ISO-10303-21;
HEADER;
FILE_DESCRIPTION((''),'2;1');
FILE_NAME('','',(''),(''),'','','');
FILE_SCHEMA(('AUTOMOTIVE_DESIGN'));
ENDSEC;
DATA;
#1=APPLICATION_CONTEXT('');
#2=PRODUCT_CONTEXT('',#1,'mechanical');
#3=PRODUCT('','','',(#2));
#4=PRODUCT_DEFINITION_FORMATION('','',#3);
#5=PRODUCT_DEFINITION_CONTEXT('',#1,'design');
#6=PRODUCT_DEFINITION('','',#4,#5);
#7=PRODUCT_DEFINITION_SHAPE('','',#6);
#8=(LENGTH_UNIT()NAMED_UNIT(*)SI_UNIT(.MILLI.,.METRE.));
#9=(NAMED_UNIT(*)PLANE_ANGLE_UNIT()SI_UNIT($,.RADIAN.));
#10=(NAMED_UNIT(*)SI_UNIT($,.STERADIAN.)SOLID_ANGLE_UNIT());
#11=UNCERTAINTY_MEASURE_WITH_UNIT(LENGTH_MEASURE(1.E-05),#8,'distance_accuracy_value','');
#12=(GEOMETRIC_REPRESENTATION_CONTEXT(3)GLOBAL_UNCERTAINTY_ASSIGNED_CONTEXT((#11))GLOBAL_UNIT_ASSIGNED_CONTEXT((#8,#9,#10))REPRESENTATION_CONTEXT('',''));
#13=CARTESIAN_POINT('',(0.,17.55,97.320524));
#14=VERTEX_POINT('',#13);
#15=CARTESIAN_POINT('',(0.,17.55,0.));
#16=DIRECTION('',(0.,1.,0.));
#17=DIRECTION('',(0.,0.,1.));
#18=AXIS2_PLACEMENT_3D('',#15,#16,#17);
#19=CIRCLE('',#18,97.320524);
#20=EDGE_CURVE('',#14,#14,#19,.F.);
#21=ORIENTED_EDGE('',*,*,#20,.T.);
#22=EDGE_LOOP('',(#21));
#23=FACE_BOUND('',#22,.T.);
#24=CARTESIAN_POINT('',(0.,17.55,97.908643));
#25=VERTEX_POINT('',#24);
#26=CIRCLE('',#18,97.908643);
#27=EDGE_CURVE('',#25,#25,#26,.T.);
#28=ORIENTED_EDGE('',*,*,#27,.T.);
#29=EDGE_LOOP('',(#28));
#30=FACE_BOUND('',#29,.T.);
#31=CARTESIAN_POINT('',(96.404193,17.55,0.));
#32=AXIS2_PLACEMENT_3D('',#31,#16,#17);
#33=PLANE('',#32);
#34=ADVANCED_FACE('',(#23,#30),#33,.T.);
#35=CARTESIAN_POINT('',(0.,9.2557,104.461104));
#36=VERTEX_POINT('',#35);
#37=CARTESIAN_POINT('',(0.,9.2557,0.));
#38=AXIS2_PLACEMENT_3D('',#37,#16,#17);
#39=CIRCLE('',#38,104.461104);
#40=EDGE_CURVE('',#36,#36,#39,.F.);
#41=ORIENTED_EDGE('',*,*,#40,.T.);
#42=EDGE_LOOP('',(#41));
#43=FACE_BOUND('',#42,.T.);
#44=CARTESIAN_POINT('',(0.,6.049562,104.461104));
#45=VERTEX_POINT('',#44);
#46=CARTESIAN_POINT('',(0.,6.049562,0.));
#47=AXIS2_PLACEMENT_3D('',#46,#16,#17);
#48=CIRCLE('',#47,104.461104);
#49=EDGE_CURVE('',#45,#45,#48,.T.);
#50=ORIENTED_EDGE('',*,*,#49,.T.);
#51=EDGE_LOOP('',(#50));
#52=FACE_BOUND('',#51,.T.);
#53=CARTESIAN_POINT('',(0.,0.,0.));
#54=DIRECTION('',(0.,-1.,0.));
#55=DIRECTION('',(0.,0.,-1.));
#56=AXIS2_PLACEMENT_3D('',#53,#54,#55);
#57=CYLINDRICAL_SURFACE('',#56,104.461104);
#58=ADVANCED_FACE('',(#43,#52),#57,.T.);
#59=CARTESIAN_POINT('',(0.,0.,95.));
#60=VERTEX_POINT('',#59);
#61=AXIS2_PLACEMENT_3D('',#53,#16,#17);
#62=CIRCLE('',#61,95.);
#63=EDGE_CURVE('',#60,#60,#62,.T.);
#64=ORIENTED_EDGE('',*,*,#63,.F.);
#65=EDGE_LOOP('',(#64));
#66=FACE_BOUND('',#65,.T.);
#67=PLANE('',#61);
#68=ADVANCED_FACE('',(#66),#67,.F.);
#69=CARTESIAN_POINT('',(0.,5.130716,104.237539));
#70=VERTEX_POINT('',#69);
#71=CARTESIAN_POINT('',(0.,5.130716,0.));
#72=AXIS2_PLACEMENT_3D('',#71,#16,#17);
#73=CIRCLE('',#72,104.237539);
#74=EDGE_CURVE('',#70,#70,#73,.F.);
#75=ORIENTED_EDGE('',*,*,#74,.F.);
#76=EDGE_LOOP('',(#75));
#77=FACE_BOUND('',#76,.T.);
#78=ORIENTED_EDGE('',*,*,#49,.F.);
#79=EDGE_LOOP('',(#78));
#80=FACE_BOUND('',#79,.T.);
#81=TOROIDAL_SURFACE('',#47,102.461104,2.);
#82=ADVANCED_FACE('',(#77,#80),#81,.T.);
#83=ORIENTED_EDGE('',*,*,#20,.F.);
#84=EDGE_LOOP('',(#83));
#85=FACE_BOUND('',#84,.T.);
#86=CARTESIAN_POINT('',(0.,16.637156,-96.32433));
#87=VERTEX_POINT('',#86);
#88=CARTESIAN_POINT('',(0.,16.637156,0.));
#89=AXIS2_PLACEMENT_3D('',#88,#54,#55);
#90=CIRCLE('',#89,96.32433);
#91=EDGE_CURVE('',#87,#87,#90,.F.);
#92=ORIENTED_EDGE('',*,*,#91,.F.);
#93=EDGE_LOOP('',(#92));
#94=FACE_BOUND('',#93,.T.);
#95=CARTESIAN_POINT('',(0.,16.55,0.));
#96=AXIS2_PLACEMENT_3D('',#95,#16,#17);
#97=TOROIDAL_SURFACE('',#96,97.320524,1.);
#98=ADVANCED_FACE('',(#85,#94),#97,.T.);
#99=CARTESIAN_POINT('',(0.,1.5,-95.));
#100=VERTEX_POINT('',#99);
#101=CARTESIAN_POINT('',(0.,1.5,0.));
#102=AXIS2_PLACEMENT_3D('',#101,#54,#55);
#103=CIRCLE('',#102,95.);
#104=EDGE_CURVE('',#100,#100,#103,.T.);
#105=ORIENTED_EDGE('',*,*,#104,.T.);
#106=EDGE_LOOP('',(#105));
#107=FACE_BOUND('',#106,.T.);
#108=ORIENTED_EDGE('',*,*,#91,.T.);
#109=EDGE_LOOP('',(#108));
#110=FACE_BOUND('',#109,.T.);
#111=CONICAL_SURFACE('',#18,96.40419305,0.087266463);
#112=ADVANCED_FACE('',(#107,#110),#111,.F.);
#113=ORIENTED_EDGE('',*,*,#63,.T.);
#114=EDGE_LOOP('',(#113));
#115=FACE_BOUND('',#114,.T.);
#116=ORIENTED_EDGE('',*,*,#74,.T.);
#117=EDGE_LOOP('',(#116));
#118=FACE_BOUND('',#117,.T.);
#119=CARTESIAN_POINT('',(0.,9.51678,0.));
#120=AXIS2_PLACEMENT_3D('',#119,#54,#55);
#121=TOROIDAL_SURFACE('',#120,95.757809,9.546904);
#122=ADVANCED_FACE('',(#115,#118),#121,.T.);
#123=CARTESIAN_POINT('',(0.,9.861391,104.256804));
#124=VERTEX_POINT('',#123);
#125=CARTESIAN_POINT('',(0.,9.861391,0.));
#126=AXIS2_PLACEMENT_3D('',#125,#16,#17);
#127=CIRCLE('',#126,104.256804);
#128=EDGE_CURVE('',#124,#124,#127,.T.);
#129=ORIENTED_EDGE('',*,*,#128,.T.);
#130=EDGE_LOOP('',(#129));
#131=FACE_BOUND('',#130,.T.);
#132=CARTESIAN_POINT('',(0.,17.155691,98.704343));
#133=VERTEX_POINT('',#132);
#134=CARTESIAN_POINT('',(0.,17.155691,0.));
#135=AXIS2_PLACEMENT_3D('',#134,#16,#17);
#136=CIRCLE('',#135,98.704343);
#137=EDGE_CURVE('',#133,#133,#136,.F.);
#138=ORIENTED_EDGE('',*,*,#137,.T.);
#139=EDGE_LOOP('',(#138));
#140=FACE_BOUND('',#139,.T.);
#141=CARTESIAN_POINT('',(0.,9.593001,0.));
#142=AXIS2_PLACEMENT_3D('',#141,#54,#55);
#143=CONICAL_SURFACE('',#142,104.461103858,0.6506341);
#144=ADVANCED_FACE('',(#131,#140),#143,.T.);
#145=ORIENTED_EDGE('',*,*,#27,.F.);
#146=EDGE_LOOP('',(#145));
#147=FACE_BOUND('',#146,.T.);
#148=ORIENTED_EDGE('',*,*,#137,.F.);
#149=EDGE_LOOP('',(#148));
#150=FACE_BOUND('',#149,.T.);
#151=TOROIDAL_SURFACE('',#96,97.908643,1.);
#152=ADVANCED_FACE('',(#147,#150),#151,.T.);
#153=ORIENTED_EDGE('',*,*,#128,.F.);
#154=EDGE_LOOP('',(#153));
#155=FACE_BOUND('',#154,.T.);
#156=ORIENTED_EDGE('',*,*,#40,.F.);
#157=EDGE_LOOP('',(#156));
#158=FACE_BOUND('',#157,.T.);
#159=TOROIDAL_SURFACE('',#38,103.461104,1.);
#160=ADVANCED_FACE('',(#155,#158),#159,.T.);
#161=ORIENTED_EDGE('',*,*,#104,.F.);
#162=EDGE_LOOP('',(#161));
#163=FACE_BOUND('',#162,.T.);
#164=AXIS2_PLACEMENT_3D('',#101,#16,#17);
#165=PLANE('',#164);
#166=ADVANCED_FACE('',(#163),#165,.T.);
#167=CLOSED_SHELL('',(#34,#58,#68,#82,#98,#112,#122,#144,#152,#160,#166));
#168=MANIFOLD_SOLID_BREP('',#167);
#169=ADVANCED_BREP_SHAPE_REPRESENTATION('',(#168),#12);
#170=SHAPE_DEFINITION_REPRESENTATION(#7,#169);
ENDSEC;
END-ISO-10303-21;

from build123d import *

# Parameters (mm, degrees)
SKETCH1_R           = 95
BOSS_EXTRUDE1_DEPTH = 1.5
FILLET1_R           = 1
FILLET2_R           = 1
FILLET4_R           = 2


with BuildPart() as part:
    # Sketch1 → Boss-Extrude1 (new body)
    with BuildSketch(Plane(origin=(0, 0, 0), x_dir=(1, 0, 0), z_dir=(0, 1, 0))):
        with Locations(Location((0, 0, 0), (0, 0, 270))):
            Circle(SKETCH1_R)
    extrude(amount=BOSS_EXTRUDE1_DEPTH)

    # Sketch2 → Revolve1 (revolve)
    with BuildSketch(Plane.XY, mode=Mode.PRIVATE) as revolve1_sk:
        with BuildLine():
            Line((95, 1.5), (96.40419305, 17.55))
            Line((96.40419305, 17.55), (98.40419305, 17.55))
            Line((98.40419305, 17.55), (104.461103858, 9.593001102))
            Line((104.461103858, 9.593001102), (104.461103858, 5.593001102))
            ThreePointArc((104.461103858, 5.593001102), (100.616111366, 1.298490869), (95, 0))
            Line((95, 0), (95, 1.5))
        make_face()
    revolve(revolve1_sk.sketch.rotate(Axis((0, 0, 0), (0, 1, 0)), 90), axis=Axis((0, 0, 0), (0, 1, 0)))

    # Fillet1
    fillet1_edges = [part.edges().sort_by_distance(p)[0] for p in [
        (0, 17.55, 98.40419305),
        (0, 17.55, 96.40419305),
    ]]
    fillet(fillet1_edges, radius=FILLET1_R)

    # Fillet2
    fillet2_edges = [part.edges().sort_by_distance(p)[0] for p in [
        (0, 9.593001102, 104.461103858),
    ]]
    fillet(fillet2_edges, radius=FILLET2_R)

    # Fillet4
    fillet4_edges = [part.edges().sort_by_distance(p)[0] for p in [
        (0, 5.593001102, 104.461103858),
    ]]
    fillet(fillet4_edges, radius=FILLET4_R)


solid = part.part
